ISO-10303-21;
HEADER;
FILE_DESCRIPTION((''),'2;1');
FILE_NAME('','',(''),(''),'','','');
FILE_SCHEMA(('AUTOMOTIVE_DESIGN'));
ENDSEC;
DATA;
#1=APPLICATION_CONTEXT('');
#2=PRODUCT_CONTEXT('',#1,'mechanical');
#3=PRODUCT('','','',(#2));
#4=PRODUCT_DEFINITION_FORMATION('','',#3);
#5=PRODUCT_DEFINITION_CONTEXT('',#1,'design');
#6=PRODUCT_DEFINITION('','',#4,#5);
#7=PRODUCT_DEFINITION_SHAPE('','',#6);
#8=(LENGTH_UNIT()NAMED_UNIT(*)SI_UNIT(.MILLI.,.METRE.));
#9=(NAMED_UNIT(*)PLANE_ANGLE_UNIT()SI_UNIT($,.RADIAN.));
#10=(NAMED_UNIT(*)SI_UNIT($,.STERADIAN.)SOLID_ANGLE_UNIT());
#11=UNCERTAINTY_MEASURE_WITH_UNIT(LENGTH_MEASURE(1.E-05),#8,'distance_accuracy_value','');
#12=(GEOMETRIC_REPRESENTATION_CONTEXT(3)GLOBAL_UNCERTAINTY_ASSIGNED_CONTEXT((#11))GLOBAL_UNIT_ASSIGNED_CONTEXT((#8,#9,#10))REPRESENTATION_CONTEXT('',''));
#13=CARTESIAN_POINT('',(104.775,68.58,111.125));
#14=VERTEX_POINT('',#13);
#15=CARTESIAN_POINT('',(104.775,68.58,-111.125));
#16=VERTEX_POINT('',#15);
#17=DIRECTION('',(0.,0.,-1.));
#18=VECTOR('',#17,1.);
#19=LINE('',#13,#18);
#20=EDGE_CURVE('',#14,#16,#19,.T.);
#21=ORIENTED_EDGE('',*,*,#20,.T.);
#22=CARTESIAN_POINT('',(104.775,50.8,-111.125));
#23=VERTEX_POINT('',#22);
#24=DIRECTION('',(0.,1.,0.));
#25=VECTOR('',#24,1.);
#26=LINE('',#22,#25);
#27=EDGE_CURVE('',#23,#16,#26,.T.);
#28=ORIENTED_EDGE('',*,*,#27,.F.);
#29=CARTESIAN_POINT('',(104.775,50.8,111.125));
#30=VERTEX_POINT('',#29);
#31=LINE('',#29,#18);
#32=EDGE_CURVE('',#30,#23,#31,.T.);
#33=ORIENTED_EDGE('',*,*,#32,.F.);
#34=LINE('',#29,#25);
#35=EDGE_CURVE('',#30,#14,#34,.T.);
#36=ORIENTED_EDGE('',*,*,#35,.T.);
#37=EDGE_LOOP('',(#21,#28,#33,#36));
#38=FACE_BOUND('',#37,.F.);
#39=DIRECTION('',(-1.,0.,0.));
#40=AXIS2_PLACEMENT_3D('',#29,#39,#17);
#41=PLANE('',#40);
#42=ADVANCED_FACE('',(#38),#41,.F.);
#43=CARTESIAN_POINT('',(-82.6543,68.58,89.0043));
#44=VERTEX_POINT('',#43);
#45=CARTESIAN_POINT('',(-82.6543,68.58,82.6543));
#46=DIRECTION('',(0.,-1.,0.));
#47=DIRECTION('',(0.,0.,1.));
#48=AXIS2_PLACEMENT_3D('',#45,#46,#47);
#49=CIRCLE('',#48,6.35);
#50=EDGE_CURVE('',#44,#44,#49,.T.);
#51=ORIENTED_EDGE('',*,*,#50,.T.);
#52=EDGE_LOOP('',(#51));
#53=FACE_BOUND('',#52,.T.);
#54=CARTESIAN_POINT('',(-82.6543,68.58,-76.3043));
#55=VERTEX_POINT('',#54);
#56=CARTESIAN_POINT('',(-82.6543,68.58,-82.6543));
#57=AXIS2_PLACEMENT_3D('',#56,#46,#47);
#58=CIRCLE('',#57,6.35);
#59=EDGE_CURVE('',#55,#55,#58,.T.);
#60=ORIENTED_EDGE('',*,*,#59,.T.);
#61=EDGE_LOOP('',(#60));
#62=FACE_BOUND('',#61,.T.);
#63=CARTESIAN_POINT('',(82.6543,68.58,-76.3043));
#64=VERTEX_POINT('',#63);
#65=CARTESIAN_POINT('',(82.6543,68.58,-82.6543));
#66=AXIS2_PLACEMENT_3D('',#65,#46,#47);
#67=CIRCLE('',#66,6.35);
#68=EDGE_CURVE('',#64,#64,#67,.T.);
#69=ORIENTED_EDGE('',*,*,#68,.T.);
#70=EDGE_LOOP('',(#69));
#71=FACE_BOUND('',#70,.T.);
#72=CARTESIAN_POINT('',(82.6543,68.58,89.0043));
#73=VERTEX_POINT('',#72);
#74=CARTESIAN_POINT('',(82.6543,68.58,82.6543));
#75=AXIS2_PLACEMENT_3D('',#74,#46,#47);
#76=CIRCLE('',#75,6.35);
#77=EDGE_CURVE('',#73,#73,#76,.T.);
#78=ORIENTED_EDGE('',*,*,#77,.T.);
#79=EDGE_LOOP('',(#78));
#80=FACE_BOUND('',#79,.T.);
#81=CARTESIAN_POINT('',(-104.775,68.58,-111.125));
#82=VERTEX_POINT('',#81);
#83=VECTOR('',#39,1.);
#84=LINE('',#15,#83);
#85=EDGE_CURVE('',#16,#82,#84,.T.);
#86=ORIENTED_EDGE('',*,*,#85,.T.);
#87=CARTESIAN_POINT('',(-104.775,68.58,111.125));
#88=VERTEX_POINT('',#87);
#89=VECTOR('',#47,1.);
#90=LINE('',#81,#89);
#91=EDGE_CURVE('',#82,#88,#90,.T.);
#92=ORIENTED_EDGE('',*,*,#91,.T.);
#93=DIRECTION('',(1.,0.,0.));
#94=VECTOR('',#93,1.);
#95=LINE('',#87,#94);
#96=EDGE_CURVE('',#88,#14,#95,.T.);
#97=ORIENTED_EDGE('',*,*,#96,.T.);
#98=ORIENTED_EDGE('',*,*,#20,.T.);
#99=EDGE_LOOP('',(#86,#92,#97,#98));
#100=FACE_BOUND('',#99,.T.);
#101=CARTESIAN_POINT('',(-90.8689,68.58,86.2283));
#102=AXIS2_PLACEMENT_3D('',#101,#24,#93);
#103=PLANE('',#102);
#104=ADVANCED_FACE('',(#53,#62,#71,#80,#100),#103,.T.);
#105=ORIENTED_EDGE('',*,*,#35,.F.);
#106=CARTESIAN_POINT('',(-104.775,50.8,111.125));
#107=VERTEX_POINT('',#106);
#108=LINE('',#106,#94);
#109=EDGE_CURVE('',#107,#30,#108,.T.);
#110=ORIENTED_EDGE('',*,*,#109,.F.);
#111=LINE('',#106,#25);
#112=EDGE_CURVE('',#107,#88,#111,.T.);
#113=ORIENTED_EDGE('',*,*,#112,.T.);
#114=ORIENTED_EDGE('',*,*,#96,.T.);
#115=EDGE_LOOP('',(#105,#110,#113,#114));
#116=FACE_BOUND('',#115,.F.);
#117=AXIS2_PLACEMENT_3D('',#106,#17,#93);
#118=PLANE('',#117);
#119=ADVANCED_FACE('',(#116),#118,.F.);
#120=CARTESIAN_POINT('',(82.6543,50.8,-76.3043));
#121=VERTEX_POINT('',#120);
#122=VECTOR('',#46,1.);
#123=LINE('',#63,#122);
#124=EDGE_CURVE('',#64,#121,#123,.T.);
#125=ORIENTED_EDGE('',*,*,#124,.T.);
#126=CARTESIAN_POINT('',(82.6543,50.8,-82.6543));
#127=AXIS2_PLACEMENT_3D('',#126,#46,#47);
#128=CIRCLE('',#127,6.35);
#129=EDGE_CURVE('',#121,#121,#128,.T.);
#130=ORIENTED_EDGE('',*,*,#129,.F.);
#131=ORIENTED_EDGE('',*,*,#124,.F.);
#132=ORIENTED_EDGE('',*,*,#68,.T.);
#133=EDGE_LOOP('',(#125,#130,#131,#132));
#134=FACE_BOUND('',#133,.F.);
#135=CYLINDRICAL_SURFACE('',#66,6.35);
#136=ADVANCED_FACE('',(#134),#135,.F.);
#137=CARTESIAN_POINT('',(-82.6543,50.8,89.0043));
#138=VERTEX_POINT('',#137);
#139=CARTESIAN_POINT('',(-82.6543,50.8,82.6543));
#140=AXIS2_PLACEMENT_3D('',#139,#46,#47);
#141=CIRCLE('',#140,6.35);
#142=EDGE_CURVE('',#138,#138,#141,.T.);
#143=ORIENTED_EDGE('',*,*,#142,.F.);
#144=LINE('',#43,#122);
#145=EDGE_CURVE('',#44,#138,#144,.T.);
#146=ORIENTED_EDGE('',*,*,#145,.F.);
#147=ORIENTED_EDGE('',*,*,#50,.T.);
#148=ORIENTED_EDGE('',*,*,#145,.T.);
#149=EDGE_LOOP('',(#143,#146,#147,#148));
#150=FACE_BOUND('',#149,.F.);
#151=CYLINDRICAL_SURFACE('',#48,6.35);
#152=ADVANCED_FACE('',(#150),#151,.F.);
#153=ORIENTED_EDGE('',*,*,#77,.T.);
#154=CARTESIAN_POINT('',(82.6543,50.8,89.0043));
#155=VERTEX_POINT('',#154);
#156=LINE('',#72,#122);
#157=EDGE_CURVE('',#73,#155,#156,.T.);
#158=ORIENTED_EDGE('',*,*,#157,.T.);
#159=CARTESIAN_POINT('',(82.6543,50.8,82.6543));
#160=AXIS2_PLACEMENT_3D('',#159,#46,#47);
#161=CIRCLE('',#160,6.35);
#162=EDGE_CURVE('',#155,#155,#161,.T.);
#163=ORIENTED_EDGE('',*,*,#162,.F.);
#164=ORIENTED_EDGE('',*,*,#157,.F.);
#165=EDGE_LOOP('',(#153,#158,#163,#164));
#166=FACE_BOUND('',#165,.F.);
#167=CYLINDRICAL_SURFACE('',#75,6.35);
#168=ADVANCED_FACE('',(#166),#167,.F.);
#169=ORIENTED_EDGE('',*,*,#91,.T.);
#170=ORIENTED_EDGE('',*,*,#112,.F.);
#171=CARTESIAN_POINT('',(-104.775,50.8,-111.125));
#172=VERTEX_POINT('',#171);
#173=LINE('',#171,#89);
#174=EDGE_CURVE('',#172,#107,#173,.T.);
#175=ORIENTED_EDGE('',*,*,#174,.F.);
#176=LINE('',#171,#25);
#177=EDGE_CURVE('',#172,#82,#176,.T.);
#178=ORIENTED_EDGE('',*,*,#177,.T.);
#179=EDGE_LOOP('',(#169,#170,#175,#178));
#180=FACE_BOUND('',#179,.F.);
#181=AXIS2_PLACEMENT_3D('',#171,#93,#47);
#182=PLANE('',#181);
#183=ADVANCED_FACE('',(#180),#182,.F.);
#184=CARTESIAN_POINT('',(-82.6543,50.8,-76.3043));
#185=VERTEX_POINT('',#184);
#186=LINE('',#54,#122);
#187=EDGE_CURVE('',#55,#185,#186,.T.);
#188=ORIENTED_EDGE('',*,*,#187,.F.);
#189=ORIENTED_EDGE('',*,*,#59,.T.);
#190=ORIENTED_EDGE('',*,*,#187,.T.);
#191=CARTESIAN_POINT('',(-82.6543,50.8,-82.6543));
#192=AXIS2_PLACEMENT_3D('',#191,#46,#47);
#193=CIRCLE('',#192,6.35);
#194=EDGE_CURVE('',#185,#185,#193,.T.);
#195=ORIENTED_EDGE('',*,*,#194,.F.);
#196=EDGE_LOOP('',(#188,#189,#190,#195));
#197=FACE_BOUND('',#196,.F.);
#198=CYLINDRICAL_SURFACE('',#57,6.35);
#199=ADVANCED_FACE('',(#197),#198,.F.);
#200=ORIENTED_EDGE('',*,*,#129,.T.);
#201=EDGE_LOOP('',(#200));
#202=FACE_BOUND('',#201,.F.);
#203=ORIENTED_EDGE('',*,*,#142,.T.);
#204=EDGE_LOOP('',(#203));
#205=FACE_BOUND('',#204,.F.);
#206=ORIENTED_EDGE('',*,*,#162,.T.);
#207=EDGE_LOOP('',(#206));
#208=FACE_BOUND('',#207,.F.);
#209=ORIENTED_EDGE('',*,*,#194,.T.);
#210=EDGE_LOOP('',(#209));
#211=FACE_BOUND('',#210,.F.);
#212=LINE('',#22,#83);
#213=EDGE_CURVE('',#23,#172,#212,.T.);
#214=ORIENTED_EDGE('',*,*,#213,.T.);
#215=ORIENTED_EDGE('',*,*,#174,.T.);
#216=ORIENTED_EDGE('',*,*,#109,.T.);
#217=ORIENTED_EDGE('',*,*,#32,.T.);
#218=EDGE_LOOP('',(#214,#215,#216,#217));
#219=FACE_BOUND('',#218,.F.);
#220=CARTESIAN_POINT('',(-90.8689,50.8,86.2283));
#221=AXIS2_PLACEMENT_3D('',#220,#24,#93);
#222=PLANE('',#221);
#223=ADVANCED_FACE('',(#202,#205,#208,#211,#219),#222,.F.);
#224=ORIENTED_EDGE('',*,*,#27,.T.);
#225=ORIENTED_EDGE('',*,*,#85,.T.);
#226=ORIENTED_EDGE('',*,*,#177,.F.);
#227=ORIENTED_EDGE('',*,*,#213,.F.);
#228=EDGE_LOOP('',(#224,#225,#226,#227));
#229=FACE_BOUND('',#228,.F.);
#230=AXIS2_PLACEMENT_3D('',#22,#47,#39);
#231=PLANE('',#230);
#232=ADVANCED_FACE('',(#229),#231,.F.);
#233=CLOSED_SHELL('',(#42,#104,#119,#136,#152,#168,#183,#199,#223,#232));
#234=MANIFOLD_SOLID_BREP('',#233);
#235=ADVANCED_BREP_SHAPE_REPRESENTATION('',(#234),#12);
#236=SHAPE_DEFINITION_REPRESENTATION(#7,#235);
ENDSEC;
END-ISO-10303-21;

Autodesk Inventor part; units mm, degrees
ref_plane "YZ Plane" through (0, 0, 0) normal (1, 0, 0) x (0, 1, 0)
ref_plane "Work Plane1" through (0, 25.4, 0) normal (0, 1, 0) x (1, 0, 0)
sketch "Sketch3" plane through (0, 25.4, 0) normal (0, 1, 0) x (1, 0, 0)
  line L0 (-104.775, -111.125) -> (104.775, -111.125)
  line L1 (104.775, -111.125) -> (104.775, 111.125)
  line L2 (104.775, 111.125) -> (-104.775, 111.125)
  line L3 (-104.775, 111.125) -> (-104.775, -111.125)
  line L4 (-104.775, -111.125) -> (104.775, 111.125) construction
  line L5 (104.775, -111.125) -> (-104.775, 111.125) construction
  point P0 (0, 0)
  dimension "d13" = 209.55
  dimension "d14" = 222.25
ref_plane "Work Plane2" through (-90.8689, 50.8, 86.2283) normal (0, 1, 0) x (1, 0, 0)
sketch "Sketch4" plane through (-90.8689, 50.8, 86.2283) normal (0, 1, 0) x (1, 0, 0)
  line L0 (-13.9061, -24.8967) -> (195.6439, -24.8967)
  line L1 (195.6439, -24.8967) -> (195.6439, 197.3533)
  line L2 (195.6439, 197.3533) -> (-13.9061, 197.3533)
  line L3 (-13.9061, 197.3533) -> (-13.9061, -24.8967)
  line L4 (-13.9061, -24.8967) -> (195.6439, 197.3533) construction
  line L5 (195.6439, -24.8967) -> (-13.9061, 197.3533) construction
  point P0 (90.8689, 86.2283)
  point P1 (90.8689, 86.2283)
  dimension "d15" = 209.55
  dimension "d16" = 222.25
extrude "Extrusion2" add sketch "Sketch4" along normal blind 17.78
sketch "Sketch6" plane through (-90.8689, 68.58, 86.2283) normal (0, 1, 0) x (1, 0, 0)
  line L0 (173.5232, 168.8826) -> (8.2147, 168.8826) construction
  line L1 (8.2147, 3.5741) -> (8.2147, 168.8826) construction
  line L2 (173.5232, 168.8826) -> (173.5232, 3.5741) construction
  circle A0 centre (8.2147, 168.8826) radius 6.35
  circle A1 centre (173.5232, 168.8826) radius 6.35
  circle A2 centre (173.5232, 3.5741) radius 6.35
  circle A3 centre (8.2147, 3.5741) radius 6.35
  point P0 (90.8689, 86.2283)
  dimension "d33" = 12.7
  dimension "d34" = 12.7
  dimension "d35" = 12.7
  dimension "d36" = 12.7
hole "Hole2" at (-82.6543, 68.58, -82.6543) at (82.6543, 68.58, -82.6543) at (82.6543, 68.58, 82.6543) at (-82.6543, 68.58, 82.6543) direction (0, -1, 0) diameter 12.7 end through all
properties part number "miniplatv3" material "Wood (Oak)"
